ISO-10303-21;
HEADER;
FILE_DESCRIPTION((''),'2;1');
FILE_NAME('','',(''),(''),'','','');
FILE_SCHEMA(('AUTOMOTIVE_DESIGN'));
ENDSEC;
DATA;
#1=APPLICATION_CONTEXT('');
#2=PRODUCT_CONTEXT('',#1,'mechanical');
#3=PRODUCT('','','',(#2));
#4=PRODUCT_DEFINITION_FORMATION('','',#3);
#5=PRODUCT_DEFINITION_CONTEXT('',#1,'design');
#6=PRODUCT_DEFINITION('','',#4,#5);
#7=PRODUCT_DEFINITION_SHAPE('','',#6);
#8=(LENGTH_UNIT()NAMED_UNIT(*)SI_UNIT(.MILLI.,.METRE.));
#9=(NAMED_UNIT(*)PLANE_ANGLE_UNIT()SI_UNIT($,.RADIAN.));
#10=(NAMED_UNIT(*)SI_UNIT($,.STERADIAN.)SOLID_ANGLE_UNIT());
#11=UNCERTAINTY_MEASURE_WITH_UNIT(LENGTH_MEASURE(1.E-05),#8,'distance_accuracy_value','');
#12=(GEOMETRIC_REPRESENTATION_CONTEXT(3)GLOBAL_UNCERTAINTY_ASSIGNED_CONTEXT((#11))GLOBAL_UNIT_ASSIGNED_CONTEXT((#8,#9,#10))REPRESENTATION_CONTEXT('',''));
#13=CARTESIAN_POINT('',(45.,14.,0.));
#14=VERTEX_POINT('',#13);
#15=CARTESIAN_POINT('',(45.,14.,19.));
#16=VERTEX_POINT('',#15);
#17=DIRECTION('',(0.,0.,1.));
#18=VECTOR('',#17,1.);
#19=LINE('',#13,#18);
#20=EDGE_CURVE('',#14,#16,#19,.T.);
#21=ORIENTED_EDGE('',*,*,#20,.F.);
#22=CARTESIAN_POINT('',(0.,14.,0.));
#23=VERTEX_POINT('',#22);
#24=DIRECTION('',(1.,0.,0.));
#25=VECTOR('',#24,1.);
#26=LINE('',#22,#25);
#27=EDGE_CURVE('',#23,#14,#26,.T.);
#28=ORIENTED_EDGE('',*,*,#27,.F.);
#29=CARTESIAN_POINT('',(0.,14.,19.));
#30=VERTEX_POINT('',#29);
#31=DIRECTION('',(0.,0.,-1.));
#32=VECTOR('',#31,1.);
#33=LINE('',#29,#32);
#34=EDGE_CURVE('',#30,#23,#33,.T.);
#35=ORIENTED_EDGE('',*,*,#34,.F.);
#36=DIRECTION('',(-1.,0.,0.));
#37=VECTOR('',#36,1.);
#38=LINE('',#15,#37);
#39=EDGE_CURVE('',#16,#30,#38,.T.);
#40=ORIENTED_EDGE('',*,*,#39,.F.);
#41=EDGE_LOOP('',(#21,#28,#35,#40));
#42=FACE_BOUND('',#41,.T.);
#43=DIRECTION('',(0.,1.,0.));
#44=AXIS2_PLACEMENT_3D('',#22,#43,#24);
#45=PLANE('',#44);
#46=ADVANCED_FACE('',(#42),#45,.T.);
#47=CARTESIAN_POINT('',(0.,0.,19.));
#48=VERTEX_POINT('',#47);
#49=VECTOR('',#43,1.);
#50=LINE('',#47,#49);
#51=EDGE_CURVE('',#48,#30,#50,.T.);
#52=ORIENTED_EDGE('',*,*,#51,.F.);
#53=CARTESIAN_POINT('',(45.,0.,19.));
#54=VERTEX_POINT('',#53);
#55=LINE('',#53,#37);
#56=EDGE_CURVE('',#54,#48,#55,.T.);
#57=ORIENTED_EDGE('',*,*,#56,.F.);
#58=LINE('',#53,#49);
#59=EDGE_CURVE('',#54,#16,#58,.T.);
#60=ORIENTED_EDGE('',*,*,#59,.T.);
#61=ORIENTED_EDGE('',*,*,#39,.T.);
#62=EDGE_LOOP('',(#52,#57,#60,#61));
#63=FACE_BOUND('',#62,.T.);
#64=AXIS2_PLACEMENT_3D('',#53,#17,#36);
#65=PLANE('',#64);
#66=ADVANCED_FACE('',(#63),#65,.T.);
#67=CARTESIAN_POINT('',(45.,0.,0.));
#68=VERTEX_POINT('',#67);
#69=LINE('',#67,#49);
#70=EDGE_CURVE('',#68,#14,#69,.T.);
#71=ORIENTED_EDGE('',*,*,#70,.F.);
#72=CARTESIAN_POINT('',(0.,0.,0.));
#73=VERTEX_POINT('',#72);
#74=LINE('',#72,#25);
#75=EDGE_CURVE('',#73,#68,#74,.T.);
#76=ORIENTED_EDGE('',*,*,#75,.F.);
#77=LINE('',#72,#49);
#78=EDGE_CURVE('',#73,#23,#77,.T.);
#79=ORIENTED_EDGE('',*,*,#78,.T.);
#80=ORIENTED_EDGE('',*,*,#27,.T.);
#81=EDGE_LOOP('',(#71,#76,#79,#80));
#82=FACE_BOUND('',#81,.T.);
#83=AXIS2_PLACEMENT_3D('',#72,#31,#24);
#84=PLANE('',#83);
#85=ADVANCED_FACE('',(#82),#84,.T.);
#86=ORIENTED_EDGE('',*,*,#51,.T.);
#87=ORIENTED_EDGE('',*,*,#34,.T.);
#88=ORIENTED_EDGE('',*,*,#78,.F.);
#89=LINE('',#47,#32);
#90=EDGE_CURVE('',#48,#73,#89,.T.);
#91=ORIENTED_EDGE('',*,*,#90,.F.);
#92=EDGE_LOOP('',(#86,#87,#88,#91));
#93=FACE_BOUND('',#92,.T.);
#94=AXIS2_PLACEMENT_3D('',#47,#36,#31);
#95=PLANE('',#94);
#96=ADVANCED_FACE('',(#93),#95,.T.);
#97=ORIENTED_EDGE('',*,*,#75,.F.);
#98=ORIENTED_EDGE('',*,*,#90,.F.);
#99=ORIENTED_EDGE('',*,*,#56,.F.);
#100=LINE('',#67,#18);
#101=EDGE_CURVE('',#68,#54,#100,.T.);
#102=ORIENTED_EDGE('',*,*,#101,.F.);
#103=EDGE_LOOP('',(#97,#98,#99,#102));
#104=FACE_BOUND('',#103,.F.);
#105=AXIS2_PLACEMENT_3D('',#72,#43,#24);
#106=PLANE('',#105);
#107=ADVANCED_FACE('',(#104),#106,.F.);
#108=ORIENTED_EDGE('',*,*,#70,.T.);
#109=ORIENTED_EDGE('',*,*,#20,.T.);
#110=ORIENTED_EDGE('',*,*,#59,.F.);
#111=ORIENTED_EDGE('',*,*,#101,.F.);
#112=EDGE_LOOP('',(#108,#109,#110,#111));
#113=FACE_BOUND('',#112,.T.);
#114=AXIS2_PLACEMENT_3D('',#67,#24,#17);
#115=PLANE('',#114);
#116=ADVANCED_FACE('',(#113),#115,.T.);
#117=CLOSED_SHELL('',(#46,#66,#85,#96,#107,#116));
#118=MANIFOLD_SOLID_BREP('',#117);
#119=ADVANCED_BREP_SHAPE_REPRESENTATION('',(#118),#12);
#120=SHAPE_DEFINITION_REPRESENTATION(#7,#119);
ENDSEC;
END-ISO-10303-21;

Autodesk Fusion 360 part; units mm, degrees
sketch "Sketch1" plane through (0, 0, 0) normal (0, 1, 0) x (1, 0, 0)
sketch "Sketch2" plane through (0, 0, 0) normal (0, 1, 0) x (1, 0, 0)
  line L0 (0, 0) -> (45, 0)
  line L1 (45, 0) -> (45, -19)
  line L2 (45, -19) -> (0, -19)
  line L3 (0, -19) -> (0, 0)
  dimension "d1" = 45
  dimension "d2" = 19
extrude "Extrude1" add sketch "Sketch2" along normal blind 14
